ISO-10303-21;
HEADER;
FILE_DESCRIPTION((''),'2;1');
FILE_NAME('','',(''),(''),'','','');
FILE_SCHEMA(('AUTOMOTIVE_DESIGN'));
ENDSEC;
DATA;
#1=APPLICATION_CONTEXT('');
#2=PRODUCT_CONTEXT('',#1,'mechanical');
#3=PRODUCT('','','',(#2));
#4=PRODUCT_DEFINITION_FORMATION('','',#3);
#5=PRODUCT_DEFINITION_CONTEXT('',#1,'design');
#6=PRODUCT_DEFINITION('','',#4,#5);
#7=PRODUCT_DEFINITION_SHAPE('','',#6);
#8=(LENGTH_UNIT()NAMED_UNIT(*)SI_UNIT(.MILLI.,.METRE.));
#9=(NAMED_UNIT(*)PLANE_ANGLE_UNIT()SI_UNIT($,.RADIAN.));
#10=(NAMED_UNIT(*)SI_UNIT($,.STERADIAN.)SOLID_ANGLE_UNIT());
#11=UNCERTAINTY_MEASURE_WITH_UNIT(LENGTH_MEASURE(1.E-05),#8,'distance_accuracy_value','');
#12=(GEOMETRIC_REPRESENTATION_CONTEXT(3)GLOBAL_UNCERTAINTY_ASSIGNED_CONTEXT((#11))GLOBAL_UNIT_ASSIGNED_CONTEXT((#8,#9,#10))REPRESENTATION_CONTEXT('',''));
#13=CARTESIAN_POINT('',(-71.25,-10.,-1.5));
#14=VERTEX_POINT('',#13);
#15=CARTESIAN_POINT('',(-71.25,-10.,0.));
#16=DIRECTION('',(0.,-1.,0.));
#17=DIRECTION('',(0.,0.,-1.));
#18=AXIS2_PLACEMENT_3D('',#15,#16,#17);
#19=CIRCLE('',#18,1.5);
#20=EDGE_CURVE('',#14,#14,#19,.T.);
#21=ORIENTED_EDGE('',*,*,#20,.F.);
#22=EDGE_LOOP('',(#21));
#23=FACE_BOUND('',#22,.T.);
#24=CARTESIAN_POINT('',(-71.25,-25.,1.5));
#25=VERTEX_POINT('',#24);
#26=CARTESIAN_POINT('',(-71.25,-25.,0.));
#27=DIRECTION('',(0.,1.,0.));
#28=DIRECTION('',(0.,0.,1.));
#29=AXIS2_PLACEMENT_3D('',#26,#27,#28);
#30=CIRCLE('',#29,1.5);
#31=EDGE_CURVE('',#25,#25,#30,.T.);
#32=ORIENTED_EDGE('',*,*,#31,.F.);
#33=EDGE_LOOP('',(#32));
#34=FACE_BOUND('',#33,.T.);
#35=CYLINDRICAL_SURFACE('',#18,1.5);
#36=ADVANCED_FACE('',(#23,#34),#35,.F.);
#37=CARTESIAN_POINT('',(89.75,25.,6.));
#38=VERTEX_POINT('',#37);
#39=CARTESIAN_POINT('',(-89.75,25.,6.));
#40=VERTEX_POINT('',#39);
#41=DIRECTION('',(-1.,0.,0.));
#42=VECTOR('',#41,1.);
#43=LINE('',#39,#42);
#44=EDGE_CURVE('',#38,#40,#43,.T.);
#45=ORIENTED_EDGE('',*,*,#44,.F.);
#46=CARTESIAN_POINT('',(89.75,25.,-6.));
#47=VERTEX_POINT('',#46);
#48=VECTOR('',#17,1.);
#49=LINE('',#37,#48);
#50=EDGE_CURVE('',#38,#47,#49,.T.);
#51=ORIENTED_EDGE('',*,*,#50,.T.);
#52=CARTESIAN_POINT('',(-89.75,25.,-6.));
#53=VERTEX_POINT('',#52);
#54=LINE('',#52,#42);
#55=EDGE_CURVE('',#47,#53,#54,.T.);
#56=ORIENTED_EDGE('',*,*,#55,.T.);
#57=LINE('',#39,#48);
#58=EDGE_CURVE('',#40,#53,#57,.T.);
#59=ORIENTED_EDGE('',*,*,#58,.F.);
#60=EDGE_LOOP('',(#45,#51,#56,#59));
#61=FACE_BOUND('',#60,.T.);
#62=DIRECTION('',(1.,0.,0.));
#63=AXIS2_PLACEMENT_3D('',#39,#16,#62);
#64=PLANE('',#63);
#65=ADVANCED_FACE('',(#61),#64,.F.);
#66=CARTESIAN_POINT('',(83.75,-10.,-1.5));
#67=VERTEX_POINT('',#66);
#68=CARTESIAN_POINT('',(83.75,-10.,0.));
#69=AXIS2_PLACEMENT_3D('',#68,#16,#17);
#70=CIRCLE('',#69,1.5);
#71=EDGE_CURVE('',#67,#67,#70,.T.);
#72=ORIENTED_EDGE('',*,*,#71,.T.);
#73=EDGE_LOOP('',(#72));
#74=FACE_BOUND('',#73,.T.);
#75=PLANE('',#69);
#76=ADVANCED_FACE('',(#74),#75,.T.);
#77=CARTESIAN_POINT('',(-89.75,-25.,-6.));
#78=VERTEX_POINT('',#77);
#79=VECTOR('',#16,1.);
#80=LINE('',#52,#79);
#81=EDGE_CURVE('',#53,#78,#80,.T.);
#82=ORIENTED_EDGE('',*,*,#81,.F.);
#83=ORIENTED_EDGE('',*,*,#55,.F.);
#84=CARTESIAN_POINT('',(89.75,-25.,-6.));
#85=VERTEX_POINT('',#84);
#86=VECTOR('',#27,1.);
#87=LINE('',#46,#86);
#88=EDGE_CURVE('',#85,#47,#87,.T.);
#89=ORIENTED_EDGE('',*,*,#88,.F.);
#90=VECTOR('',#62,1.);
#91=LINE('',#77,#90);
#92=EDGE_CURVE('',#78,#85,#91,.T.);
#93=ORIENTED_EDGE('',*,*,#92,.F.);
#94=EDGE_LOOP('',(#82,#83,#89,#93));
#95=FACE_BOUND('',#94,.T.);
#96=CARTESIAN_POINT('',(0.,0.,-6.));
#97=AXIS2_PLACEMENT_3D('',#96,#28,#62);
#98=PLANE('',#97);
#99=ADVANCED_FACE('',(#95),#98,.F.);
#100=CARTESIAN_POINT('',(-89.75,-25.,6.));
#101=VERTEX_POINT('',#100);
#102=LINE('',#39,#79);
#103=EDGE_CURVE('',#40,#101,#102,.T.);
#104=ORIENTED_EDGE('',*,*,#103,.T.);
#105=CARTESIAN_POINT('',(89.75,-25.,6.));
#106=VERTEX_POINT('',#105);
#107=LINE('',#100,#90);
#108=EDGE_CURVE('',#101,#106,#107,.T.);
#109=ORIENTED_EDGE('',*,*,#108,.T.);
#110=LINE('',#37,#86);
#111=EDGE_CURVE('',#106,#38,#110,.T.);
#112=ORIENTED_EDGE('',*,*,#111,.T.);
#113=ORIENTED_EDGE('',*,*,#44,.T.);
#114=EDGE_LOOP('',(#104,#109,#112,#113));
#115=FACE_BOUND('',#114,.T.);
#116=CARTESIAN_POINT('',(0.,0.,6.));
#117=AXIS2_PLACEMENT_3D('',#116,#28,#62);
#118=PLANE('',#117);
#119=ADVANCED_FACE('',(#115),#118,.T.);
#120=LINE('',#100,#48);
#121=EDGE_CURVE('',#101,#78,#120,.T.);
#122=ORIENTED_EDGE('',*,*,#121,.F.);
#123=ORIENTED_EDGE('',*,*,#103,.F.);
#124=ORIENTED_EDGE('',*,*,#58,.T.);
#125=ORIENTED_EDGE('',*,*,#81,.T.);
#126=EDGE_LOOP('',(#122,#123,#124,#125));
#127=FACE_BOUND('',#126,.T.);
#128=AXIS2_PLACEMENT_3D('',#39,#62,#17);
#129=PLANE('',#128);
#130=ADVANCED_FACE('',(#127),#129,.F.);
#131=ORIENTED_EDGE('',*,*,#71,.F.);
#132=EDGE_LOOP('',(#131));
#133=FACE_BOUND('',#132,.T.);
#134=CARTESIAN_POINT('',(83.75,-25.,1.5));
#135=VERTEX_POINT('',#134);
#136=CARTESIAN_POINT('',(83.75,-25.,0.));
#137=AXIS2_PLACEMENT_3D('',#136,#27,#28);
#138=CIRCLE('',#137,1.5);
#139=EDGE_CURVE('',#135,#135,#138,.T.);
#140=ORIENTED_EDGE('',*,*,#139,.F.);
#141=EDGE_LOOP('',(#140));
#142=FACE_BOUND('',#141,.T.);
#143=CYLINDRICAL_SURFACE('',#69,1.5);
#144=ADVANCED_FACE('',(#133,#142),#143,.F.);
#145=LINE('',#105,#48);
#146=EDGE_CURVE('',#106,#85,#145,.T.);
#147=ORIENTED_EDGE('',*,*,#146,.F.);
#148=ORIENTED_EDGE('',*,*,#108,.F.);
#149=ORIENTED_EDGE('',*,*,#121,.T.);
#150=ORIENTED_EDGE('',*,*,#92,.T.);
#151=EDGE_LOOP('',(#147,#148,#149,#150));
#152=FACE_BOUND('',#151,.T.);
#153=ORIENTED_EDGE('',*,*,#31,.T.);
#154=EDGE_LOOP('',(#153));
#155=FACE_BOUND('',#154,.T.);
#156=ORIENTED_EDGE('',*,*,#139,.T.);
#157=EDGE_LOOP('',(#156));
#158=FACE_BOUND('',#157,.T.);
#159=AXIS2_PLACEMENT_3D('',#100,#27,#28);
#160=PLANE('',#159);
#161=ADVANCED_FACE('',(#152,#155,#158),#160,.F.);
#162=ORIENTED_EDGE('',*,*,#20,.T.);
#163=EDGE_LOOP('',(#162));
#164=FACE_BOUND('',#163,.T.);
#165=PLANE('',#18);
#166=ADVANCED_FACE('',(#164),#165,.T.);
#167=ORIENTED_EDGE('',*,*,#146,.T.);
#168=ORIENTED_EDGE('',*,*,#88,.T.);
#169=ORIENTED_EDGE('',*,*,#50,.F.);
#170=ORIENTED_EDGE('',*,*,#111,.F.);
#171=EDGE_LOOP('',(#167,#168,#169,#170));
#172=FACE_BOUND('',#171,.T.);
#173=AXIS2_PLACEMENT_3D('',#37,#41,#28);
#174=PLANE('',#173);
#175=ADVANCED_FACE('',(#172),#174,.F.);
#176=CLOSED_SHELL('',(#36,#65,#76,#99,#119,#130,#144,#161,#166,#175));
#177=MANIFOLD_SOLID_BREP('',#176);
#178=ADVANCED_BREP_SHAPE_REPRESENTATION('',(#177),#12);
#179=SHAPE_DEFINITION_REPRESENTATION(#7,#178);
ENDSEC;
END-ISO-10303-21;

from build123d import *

# Parameters (mm, degrees)
ESBO_O1_W                = 179.5
ESBO_O1_H                = 50
RESSALTO_EXTRUS_O1_DEPTH = 6
ESBO_O2_R                = 1.5
CORTE_EXTRUS_O1_DEPTH    = 15


with BuildPart() as part:
    # Esboço1 → Ressalto-extrusão1 (new, symmetric)
    with BuildSketch(Plane.XY):
        Rectangle(ESBO_O1_W, ESBO_O1_H)
    extrude(amount=RESSALTO_EXTRUS_O1_DEPTH, both=True)

    # Esboço2 → Corte-extrusão1 (cut, symmetric)
    with BuildSketch(Plane(origin=(0, -25, 0), x_dir=(-1, 0, 0), z_dir=(0, -1, 0))):
        with Locations(Location((71.25, 0, 0), (0, 0, 90))):
            Circle(ESBO_O2_R)
        with Locations(Location((-83.75, 0, 0), (0, 0, 90))):
            Circle(ESBO_O2_R)
    extrude(amount=CORTE_EXTRUS_O1_DEPTH, both=True, mode=Mode.SUBTRACT)


solid = part.part
